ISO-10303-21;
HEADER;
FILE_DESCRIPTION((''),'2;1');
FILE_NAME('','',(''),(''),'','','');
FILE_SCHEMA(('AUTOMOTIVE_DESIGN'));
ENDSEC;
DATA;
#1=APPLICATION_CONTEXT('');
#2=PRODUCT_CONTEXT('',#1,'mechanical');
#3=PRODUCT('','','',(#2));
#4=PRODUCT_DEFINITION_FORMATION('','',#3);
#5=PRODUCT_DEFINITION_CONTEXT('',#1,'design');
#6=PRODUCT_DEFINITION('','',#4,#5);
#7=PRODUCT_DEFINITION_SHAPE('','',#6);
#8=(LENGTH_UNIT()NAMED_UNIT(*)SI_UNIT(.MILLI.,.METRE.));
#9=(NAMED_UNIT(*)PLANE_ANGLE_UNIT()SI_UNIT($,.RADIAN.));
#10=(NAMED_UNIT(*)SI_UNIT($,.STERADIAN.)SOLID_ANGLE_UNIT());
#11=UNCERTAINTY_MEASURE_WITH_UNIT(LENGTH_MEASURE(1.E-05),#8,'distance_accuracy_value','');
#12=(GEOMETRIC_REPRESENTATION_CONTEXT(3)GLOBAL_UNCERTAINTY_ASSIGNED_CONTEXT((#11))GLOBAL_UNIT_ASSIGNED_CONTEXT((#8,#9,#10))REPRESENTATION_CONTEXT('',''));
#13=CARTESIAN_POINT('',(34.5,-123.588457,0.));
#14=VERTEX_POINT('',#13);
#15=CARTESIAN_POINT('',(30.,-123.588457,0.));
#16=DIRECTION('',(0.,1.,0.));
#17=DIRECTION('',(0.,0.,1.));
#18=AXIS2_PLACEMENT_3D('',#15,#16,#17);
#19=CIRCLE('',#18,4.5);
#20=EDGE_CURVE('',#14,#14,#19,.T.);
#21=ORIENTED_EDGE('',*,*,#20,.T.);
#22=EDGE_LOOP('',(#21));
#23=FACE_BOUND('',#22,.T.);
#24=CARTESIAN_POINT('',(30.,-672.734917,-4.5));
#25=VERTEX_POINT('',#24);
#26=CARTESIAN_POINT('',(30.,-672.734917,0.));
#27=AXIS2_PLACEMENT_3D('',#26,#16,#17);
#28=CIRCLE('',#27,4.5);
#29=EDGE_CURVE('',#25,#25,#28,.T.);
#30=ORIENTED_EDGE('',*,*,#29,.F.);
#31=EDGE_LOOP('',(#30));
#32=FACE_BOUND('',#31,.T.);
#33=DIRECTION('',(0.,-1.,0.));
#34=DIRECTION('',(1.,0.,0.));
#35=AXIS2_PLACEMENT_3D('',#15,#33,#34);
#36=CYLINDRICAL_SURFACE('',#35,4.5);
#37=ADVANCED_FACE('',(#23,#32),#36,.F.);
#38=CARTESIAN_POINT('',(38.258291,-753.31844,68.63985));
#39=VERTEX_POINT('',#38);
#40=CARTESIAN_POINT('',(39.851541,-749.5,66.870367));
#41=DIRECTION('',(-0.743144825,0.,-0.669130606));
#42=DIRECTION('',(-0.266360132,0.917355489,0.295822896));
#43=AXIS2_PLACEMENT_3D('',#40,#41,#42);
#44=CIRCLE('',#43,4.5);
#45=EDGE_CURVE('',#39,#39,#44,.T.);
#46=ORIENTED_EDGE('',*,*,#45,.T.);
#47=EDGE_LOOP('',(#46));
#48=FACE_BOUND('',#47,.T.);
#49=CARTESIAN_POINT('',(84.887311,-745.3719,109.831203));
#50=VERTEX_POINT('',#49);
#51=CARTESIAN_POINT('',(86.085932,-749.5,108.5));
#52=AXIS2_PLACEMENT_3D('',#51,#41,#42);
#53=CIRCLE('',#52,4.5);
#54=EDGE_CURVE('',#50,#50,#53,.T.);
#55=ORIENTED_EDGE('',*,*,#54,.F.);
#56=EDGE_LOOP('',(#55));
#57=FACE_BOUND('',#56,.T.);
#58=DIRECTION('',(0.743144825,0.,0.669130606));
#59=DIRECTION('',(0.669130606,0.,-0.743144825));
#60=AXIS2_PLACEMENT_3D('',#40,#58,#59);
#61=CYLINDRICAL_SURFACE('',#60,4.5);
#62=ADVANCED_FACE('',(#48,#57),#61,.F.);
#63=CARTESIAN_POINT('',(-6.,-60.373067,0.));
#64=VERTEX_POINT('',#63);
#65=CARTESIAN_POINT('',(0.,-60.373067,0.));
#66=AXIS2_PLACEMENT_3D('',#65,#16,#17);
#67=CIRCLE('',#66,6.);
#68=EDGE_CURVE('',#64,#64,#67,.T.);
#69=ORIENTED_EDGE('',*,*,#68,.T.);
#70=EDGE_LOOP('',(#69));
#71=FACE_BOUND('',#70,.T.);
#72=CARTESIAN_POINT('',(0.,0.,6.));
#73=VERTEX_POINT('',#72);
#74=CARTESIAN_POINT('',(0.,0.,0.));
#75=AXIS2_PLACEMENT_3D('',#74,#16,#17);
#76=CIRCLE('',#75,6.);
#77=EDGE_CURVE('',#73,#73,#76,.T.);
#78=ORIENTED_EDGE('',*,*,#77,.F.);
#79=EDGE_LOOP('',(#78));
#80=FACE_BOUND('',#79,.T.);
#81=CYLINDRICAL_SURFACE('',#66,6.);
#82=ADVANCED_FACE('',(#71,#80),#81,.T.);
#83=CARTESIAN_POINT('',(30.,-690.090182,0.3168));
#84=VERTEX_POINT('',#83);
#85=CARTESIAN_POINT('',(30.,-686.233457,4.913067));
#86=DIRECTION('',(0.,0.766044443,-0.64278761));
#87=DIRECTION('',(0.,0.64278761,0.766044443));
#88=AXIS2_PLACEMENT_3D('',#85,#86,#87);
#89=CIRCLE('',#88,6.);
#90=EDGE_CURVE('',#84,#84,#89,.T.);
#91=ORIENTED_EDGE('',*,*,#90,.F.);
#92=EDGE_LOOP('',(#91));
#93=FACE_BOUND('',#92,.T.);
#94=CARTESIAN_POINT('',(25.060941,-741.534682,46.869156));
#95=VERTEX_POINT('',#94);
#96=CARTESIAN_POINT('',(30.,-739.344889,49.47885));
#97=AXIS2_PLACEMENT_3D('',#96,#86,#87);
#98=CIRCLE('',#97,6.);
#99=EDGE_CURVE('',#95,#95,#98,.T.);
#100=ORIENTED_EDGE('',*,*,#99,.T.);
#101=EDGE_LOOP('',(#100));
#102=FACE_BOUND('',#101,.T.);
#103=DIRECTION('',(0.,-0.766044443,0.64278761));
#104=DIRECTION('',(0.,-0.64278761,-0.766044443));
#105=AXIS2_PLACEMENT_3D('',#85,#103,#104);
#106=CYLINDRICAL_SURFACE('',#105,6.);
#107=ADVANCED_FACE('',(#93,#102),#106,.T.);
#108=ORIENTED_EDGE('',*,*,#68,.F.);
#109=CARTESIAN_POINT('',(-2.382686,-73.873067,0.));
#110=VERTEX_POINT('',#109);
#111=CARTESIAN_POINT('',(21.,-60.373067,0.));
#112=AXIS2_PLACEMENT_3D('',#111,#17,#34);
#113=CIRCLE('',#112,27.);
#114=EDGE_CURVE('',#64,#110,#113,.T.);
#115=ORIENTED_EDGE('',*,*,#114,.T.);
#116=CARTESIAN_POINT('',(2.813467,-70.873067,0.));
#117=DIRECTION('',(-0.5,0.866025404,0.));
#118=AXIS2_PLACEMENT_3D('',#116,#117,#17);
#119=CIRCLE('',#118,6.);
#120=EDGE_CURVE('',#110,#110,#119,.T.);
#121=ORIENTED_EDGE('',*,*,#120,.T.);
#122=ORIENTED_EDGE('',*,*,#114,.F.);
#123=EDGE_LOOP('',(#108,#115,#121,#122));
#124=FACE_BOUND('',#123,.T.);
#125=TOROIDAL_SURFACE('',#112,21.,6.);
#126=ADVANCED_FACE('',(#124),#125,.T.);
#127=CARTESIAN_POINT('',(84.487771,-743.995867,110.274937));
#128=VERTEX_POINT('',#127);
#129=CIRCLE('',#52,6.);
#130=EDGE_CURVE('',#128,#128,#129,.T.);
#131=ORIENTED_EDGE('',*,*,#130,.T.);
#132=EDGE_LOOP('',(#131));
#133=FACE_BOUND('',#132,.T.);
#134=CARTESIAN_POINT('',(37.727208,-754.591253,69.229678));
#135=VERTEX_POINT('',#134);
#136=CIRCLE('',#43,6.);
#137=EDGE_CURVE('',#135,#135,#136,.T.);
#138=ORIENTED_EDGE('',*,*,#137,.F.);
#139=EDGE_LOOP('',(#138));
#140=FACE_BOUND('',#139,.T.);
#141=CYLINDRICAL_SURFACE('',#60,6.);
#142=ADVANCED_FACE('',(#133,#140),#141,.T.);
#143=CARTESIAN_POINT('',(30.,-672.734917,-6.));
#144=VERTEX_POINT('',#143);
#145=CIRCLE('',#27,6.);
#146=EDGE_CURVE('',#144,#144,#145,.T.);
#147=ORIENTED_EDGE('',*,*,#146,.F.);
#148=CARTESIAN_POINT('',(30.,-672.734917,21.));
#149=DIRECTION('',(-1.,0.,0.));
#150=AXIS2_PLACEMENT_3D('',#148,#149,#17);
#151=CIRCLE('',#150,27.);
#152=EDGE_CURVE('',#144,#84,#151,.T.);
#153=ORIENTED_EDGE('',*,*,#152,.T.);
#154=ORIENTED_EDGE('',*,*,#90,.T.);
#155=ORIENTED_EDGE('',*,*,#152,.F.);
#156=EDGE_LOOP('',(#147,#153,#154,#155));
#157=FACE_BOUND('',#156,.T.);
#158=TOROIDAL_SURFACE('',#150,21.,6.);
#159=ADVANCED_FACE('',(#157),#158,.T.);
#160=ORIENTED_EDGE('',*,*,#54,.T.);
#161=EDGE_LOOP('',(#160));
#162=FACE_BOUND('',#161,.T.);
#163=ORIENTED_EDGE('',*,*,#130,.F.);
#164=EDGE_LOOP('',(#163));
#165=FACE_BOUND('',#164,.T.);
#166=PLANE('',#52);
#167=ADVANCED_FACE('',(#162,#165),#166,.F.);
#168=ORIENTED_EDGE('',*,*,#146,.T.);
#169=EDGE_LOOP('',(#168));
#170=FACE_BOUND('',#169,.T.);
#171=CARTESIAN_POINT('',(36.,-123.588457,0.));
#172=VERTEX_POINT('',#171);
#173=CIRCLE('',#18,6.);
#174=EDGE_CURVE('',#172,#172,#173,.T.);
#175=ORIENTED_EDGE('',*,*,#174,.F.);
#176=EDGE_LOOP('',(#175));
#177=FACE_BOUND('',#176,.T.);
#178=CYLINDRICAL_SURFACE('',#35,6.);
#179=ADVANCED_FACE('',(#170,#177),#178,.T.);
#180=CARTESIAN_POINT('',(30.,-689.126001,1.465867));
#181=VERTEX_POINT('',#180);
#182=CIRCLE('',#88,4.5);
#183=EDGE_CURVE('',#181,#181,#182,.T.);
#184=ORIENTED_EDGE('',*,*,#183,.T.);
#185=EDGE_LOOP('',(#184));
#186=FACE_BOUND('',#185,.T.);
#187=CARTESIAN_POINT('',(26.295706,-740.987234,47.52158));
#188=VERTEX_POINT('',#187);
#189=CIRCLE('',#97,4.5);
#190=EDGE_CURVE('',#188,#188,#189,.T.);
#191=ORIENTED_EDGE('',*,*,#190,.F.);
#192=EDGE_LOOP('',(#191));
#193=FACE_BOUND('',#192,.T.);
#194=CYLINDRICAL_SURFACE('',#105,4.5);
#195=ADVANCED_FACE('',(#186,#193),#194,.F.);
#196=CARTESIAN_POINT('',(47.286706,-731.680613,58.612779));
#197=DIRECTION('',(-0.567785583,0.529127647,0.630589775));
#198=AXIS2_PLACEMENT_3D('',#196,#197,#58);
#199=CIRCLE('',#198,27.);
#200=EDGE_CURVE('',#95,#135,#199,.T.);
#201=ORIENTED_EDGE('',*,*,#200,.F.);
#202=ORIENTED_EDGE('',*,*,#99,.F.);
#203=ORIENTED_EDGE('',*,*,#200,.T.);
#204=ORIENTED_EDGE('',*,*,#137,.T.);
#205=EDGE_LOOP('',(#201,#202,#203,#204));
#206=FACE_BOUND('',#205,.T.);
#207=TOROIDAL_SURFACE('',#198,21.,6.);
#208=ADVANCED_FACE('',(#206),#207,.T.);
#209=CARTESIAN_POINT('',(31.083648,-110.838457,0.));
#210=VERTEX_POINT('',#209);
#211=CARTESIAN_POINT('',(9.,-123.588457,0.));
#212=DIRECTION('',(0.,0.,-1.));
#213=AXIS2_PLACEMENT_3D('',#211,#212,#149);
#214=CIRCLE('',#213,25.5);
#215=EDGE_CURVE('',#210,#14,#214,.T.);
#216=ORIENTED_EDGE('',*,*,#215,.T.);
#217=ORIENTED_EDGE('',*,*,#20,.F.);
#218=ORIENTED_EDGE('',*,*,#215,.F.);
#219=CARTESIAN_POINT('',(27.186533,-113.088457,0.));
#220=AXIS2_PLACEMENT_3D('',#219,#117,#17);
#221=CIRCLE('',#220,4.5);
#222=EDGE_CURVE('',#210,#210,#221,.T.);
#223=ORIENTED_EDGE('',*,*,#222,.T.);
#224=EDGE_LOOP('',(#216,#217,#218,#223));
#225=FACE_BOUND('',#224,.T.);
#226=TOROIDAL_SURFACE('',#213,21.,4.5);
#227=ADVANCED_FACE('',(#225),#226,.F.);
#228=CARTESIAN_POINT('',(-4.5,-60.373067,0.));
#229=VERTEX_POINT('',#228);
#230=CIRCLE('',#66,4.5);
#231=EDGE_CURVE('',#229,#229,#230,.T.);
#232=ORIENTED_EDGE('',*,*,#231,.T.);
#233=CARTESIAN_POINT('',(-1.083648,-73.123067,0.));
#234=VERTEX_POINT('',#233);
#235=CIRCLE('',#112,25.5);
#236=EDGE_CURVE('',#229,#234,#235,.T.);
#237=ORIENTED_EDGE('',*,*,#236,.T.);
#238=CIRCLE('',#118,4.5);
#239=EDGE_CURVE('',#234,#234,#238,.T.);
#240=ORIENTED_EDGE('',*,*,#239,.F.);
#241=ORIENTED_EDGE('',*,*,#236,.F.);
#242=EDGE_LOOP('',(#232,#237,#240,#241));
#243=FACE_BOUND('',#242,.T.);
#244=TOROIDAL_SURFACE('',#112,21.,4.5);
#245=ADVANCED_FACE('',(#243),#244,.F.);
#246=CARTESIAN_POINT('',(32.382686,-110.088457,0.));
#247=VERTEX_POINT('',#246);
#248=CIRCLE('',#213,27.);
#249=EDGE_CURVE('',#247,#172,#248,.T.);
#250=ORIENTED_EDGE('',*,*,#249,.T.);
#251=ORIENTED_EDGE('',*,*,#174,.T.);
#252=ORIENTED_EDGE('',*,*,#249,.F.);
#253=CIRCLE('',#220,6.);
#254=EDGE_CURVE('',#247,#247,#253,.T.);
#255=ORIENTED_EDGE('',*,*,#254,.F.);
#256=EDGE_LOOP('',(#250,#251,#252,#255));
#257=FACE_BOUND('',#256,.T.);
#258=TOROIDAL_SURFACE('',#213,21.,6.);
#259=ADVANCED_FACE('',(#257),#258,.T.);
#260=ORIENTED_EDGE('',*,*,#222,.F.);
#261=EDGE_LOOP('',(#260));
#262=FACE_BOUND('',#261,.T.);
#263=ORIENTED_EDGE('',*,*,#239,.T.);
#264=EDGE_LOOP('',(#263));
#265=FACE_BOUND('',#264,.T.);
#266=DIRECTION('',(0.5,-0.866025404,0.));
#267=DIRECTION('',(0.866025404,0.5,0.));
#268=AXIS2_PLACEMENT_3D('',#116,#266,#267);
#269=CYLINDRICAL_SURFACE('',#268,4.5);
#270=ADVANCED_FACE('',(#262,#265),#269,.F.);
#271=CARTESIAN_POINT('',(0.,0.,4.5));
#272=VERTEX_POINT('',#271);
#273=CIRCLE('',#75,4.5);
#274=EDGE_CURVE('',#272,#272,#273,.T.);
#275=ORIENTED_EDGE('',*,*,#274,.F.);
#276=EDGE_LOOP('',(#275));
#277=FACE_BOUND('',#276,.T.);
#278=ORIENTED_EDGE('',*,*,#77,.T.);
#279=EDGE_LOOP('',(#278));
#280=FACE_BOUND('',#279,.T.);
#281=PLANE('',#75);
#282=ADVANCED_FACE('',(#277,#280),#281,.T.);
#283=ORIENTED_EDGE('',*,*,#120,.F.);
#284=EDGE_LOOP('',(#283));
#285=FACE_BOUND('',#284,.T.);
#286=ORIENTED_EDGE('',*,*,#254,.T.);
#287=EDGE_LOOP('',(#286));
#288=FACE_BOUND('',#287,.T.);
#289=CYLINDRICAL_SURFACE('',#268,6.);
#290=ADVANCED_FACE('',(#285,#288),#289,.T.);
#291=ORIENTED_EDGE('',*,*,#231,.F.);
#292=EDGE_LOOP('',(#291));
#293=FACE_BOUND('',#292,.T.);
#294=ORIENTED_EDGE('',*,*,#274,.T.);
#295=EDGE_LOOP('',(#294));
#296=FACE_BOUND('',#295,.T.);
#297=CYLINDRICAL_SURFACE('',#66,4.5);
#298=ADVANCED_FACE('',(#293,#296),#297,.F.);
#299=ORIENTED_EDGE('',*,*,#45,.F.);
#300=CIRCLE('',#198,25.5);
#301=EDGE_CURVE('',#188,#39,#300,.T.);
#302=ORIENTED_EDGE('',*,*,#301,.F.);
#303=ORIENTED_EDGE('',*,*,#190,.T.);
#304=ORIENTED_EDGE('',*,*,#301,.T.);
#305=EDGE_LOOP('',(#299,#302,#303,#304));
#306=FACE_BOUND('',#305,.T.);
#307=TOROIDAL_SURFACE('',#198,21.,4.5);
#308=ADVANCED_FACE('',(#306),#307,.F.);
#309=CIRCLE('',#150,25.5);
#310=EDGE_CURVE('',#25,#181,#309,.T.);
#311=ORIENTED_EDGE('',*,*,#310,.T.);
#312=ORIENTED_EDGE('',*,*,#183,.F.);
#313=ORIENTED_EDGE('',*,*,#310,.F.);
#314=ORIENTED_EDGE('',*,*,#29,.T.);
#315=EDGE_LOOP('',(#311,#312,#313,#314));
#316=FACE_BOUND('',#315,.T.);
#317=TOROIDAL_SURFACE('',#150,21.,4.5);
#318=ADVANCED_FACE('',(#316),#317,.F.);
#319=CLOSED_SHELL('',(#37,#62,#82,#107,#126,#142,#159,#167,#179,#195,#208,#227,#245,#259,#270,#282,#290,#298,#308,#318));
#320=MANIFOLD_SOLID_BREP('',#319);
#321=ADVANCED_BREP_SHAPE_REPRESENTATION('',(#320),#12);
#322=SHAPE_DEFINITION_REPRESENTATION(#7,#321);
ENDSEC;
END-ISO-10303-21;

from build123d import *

# Parameters (mm, degrees)
SKETCH2_R   = 6
SKETCH2_R_2 = 4.5


with BuildPart() as part:
    # Sweep1: sweep along a curve in space
    with BuildLine() as sweep1_path:
        Line((0, 0, 0), (0, -60.373066959, 0))
        ThreePointArc((0, -60.373066959, 0), (0.715557648, -65.808266906, 0), (2.813466521, -70.873066959, 0))
        Line((2.813466521, -70.873066959, 0), (27.186533479, -113.088457268, 0))
        ThreePointArc((27.186533479, -113.088457268, 0), (29.284442352, -118.153257321, 0), (30, -123.588457268, 0))
        Line((30, -123.588457268, 0), (30, -672.73491671, 0))
        ThreePointArc((30, -672.73491671, 0), (30, -679.91733972, 1.266454963), (30, -686.233456513, 4.913066695))
        Line((30, -686.233456513, 4.913066695), (30, -739.344889262, 49.478850325))
        ThreePointArc((30, -739.344889262, 49.478850325), (32.668913393, -746.748845442, 58.094607638), (39.851540684, -749.5, 66.870367075))
        Line((39.851540684, -749.5, 66.870367075), (86.085931999, -749.5, 108.5))
    # Sketch2 → Sweep1 (sweep)
    with BuildSketch(Plane(origin=(0, 0, 0), x_dir=(1, 0, 0), z_dir=(0, 1, 0))):
        Circle(SKETCH2_R)
        Circle(SKETCH2_R_2, mode=Mode.SUBTRACT)
    sweep(path=sweep1_path.line)


solid = part.part
